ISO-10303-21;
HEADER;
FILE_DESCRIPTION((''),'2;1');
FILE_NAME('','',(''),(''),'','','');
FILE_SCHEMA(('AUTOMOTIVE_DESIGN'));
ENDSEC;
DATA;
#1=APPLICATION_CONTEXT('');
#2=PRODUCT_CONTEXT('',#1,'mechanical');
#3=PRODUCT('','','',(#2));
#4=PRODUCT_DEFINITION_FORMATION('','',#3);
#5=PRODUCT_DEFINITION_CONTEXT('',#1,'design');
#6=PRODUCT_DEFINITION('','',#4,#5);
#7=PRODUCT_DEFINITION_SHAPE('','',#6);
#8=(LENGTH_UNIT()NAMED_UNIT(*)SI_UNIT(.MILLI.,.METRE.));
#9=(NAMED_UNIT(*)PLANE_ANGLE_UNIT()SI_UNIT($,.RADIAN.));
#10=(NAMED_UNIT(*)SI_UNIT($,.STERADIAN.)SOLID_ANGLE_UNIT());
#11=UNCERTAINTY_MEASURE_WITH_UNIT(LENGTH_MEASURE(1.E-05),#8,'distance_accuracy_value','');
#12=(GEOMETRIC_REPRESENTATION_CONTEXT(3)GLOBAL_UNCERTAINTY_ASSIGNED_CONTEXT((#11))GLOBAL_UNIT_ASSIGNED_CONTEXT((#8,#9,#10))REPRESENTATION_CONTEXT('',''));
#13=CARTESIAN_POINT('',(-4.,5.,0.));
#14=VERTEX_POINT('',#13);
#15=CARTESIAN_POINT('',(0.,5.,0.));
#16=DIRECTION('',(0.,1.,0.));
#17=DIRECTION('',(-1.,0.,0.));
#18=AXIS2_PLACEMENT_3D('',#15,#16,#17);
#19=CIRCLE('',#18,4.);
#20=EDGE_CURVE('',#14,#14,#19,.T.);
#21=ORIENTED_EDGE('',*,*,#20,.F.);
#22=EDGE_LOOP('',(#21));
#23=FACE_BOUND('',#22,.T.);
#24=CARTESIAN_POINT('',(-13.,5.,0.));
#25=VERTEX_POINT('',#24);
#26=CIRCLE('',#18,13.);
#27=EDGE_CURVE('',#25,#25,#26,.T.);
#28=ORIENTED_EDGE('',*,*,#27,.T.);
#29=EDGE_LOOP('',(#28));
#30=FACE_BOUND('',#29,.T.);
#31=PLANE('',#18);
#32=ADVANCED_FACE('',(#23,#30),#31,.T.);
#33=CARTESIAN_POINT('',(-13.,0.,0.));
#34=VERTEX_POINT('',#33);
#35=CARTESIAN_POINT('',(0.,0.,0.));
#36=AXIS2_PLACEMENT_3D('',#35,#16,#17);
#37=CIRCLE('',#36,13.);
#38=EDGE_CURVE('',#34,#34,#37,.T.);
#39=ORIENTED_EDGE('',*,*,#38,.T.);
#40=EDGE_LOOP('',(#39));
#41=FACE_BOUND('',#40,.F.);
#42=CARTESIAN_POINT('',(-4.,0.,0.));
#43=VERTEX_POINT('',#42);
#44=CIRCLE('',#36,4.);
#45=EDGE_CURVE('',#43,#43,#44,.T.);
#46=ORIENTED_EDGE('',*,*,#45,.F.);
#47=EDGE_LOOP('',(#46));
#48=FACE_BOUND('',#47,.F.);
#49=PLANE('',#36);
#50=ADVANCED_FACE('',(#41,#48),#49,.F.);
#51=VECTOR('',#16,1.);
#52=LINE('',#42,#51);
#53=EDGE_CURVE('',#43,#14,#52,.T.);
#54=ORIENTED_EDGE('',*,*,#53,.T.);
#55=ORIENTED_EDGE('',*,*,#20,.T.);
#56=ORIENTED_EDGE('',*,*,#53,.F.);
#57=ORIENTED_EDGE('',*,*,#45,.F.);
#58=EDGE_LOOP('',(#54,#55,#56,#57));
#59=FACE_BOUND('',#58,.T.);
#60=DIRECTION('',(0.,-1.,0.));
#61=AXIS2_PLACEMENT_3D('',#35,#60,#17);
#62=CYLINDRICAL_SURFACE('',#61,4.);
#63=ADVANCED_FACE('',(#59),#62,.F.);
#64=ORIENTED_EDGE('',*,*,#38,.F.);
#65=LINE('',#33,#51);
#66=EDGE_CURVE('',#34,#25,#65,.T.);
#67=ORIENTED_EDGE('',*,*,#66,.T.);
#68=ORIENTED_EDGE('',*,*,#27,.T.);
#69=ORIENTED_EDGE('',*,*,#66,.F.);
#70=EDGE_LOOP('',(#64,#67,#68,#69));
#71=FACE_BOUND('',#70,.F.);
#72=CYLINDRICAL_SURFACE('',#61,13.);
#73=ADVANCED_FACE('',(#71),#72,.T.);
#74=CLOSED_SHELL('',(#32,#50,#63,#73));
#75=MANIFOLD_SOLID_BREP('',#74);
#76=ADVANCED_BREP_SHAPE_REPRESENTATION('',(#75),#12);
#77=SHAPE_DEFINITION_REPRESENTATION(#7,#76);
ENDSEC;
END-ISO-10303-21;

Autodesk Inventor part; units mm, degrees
ref_plane "YZ Plane" through (0, 0, 0) normal (1, 0, 0) x (0, 1, 0)
ref_plane "XZ Plane" through (0, 0, 0) normal (0, 1, 0) x (-1, 0, 0)
ref_plane "XY Plane" through (0, 0, 0) normal (0, 0, 1) x (1, 0, 0)
sketch "Boceto1" plane through (0, 0, 0) normal (0, 1, 0) x (-1, 0, 0)
  circle A0 centre (0, 0) radius 4
  circle A1 centre (0, 0) radius 13
  dimension "d0" = 8
  dimension "d1" = 26
extrude "Extrusión1" add sketch "Boceto1" along normal blind 5
properties part number "BEARING WHEEL"
